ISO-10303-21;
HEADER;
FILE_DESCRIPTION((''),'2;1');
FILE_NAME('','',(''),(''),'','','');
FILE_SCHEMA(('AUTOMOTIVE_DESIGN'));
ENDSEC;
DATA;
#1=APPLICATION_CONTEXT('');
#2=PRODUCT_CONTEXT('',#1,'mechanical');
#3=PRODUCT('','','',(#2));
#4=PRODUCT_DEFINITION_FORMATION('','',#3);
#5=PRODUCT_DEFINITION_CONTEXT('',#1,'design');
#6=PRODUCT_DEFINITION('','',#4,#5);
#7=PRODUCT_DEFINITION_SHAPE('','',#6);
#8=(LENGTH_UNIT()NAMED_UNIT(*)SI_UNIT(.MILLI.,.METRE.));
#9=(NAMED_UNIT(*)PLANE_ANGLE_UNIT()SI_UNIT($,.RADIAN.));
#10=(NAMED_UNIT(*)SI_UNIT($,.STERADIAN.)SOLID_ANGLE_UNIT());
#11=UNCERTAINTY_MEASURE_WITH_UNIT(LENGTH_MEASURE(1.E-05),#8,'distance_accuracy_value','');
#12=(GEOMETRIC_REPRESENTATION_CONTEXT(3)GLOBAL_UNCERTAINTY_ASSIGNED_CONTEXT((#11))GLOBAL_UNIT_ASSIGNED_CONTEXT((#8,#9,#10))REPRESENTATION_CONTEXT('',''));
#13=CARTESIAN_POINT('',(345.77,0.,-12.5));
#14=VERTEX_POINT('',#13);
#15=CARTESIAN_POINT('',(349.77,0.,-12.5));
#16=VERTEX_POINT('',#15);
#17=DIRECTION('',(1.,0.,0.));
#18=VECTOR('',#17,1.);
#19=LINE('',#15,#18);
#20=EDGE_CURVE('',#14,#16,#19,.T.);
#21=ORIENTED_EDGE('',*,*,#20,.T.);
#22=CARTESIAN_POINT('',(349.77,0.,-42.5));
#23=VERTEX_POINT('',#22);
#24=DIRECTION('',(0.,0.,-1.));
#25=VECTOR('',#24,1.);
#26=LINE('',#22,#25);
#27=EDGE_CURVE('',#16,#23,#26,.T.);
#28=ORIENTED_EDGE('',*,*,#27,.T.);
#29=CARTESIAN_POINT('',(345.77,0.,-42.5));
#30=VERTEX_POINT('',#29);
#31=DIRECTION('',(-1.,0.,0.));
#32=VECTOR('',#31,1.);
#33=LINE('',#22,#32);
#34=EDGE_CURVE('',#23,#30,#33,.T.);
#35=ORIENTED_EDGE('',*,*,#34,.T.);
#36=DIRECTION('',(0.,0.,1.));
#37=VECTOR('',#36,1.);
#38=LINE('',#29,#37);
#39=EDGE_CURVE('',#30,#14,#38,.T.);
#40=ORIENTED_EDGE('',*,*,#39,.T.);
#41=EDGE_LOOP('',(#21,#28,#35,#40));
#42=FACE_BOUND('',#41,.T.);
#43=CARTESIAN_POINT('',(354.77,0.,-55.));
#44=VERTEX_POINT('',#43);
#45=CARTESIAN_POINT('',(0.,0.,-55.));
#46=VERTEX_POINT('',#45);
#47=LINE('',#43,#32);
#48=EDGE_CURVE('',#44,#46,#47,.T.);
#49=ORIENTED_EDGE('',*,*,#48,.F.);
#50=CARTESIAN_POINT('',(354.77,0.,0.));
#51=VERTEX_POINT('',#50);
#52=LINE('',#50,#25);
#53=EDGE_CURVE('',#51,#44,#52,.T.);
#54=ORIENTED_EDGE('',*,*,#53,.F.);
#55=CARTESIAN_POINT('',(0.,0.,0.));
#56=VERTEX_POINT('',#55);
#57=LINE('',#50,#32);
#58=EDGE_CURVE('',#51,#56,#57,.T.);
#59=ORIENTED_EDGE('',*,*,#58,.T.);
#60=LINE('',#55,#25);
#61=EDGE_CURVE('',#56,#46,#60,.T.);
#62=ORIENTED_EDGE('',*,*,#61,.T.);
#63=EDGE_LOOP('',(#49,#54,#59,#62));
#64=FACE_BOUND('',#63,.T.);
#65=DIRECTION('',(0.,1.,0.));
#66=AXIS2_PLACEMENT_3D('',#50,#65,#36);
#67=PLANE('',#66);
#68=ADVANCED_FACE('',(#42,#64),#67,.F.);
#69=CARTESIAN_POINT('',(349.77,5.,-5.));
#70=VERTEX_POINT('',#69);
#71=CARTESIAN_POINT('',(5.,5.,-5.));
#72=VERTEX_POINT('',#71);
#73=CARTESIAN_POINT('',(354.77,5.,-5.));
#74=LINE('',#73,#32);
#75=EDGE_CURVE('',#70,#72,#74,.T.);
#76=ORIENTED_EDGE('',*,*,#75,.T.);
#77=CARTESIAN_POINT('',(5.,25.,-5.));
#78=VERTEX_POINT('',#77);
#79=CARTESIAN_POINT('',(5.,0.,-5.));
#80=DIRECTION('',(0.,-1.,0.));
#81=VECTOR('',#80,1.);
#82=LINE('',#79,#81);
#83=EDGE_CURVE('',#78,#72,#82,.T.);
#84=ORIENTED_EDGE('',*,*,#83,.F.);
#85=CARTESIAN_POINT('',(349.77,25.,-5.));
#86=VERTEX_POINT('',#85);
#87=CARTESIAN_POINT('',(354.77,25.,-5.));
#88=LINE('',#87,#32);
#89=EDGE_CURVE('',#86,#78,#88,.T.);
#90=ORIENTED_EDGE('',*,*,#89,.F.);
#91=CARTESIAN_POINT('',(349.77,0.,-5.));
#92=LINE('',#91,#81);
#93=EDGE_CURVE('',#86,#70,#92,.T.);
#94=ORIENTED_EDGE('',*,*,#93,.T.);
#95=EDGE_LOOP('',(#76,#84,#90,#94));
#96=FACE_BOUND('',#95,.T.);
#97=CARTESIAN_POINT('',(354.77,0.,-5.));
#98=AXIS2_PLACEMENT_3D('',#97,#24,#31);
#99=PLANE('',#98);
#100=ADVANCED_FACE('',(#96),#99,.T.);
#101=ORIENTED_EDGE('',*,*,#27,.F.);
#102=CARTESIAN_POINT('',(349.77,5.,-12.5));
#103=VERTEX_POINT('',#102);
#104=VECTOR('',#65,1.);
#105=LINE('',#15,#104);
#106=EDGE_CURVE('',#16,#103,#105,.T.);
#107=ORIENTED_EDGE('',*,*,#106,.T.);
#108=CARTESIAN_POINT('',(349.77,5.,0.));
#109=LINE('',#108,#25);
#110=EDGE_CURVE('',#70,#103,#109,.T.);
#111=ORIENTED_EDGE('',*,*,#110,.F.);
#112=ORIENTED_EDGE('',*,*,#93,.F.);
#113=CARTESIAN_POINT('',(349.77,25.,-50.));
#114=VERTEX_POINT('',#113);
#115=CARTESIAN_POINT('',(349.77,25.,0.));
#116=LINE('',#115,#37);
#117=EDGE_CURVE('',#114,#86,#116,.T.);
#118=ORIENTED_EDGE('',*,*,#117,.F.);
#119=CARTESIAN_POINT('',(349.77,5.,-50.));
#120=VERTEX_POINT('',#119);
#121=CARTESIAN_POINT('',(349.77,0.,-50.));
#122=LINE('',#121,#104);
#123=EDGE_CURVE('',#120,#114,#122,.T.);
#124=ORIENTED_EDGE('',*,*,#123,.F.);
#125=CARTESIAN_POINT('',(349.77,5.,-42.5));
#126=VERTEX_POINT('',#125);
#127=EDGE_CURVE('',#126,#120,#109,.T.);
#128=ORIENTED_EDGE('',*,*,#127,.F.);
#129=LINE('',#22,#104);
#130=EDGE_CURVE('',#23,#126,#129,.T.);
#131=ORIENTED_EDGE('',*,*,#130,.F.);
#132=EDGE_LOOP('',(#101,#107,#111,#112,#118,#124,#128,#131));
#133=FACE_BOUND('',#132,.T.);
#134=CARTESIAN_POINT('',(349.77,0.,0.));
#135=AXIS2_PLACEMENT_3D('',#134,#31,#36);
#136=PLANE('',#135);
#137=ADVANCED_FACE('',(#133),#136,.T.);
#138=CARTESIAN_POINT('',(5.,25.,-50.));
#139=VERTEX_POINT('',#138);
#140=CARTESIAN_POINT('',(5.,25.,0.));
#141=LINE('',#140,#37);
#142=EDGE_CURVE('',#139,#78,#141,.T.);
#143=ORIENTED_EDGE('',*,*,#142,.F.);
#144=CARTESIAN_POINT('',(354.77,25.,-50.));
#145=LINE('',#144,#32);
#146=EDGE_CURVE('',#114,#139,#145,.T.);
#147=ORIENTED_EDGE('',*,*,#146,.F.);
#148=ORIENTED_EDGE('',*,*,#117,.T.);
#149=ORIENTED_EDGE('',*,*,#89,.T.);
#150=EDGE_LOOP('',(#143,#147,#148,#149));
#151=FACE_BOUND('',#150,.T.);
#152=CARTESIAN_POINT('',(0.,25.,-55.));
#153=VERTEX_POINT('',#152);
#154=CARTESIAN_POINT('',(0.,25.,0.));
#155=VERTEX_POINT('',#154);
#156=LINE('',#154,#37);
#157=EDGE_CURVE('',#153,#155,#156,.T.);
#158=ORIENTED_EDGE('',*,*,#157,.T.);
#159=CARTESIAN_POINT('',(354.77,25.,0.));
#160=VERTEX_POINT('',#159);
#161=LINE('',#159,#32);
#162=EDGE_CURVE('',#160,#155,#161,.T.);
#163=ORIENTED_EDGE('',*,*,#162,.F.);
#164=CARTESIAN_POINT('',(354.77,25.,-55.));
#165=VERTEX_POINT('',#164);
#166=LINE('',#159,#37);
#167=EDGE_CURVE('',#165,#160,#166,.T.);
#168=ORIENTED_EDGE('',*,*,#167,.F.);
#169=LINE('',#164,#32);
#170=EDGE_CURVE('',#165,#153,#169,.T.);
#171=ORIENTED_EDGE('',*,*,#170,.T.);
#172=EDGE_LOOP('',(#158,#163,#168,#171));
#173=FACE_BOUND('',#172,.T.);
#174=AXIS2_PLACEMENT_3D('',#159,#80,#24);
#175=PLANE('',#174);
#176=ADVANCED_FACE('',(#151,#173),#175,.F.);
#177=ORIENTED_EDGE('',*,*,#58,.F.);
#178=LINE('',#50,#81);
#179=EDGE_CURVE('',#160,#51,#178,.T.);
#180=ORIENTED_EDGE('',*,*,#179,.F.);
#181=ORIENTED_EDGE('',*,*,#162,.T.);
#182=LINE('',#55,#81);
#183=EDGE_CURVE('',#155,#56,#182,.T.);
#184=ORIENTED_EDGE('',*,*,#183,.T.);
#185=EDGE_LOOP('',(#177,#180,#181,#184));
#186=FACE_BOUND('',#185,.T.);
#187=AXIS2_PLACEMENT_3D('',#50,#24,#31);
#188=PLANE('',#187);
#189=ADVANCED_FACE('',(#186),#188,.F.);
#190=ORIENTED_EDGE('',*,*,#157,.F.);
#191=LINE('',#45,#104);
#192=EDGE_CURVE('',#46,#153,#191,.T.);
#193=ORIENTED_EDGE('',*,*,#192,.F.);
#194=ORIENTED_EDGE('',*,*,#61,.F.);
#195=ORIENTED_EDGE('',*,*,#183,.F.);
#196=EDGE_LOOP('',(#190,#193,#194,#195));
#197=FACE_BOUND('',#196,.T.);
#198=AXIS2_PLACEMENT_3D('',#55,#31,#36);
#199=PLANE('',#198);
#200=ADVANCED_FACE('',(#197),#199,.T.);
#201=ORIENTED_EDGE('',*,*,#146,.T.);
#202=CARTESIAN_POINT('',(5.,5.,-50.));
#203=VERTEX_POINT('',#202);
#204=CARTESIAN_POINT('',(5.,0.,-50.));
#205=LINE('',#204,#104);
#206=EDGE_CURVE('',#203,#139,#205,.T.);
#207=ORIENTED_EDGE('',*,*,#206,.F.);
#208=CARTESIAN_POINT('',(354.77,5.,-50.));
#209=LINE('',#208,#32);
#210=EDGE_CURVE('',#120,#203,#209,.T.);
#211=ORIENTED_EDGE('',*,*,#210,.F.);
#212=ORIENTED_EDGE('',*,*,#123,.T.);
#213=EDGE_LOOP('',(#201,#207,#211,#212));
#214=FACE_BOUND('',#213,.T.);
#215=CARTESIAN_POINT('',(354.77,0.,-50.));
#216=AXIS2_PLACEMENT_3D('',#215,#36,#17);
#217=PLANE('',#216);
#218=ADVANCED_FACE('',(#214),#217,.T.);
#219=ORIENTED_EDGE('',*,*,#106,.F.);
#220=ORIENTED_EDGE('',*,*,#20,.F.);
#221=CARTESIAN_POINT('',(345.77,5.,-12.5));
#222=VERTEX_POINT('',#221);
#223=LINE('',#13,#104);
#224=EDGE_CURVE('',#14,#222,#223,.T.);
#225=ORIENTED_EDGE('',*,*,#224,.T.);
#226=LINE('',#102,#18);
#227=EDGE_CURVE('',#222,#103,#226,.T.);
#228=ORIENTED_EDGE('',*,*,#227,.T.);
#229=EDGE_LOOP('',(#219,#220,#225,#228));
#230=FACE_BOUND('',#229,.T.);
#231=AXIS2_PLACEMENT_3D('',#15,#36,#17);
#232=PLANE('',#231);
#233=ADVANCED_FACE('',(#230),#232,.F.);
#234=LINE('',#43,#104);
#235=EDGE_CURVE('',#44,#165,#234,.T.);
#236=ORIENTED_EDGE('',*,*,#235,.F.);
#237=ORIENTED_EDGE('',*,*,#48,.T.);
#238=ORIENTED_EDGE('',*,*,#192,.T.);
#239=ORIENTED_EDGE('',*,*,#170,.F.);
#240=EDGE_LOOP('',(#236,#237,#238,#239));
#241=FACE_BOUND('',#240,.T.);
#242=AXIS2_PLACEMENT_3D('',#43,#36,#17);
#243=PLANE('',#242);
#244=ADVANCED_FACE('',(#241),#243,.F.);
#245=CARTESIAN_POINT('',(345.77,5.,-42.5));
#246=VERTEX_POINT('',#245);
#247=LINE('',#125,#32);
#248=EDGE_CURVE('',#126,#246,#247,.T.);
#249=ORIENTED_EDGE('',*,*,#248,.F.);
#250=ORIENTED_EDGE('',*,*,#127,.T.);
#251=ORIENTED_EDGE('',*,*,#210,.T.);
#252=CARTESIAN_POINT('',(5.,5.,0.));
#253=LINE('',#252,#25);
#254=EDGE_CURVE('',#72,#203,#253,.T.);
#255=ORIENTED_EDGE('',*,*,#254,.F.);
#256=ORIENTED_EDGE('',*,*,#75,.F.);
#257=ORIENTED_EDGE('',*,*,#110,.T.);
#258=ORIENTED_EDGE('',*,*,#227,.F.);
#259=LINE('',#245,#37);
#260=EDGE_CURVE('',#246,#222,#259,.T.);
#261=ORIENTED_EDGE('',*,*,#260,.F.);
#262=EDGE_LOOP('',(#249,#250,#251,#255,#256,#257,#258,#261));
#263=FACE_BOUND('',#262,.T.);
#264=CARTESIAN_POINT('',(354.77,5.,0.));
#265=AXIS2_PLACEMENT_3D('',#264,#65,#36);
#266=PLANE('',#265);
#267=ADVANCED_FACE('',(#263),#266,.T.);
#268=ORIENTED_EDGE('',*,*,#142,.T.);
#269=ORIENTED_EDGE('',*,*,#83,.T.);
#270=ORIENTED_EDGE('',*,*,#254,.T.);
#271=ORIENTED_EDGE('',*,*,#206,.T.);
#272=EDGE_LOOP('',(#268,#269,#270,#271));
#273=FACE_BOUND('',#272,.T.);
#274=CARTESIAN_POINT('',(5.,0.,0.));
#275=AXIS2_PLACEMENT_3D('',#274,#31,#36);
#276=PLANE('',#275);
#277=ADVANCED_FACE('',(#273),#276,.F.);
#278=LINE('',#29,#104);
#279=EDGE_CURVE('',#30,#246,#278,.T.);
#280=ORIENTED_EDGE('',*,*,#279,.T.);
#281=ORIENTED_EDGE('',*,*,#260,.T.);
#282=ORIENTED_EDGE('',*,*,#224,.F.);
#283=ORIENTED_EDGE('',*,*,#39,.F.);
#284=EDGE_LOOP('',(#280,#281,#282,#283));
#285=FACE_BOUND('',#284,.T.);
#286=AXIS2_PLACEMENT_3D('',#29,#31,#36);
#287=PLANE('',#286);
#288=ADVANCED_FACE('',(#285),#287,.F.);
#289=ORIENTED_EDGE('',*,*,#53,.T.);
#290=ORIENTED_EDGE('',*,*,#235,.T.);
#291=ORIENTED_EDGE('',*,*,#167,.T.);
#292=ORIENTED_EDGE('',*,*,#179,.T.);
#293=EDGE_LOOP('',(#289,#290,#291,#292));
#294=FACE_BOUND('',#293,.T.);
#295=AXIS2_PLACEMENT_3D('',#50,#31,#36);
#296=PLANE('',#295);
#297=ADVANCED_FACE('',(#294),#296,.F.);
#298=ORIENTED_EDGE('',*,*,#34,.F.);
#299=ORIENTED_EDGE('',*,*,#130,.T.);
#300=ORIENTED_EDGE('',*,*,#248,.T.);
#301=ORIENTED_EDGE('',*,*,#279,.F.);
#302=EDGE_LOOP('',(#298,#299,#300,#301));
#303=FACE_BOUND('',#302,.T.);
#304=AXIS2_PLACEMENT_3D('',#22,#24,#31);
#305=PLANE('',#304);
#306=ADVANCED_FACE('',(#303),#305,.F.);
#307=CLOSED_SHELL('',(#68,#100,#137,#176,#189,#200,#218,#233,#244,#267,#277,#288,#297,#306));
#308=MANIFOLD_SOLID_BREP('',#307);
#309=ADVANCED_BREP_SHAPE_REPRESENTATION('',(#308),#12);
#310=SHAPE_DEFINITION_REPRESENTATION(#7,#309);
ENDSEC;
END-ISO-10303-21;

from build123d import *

# Parameters (mm, degrees)
ESBO_O1_W                = 55
ESBO_O1_H                = 25
RESSALTO_EXTRUS_O1_DEPTH = 354.77
CASCA1_T                 = -5
ESBO_O3_W                = 4
ESBO_O3_H                = 30
CORTE_EXTRUS_O1_DEPTH    = 360.564671374


with BuildPart() as part:
    # Esboço1 → Ressalto-extrusão1 (new body)
    with BuildSketch(Plane(origin=(0, 0, 0), x_dir=(0, 0, -1), z_dir=(1, 0, 0))):
        with Locations((27.5, 12.5)):
            Rectangle(ESBO_O1_W, ESBO_O1_H)
    extrude(amount=RESSALTO_EXTRUS_O1_DEPTH)

    # Casca1
    casca1_openings = [part.faces().sort_by_distance(p)[0] for p in [
        (177.385, 25, -27.5),
    ]]
    offset(amount=CASCA1_T, openings=casca1_openings, kind=Kind.INTERSECTION)

    # Esboço3 → Corte-extrusão1 (cut, through all)
    with BuildSketch(Plane(origin=(0, 5, 0), x_dir=(1, 0, 0), z_dir=(0, 1, 0))):
        with Locations((347.77, 27.5)):
            Rectangle(ESBO_O3_W, ESBO_O3_H)
    extrude(amount=-CORTE_EXTRUS_O1_DEPTH, mode=Mode.SUBTRACT)


solid = part.part
